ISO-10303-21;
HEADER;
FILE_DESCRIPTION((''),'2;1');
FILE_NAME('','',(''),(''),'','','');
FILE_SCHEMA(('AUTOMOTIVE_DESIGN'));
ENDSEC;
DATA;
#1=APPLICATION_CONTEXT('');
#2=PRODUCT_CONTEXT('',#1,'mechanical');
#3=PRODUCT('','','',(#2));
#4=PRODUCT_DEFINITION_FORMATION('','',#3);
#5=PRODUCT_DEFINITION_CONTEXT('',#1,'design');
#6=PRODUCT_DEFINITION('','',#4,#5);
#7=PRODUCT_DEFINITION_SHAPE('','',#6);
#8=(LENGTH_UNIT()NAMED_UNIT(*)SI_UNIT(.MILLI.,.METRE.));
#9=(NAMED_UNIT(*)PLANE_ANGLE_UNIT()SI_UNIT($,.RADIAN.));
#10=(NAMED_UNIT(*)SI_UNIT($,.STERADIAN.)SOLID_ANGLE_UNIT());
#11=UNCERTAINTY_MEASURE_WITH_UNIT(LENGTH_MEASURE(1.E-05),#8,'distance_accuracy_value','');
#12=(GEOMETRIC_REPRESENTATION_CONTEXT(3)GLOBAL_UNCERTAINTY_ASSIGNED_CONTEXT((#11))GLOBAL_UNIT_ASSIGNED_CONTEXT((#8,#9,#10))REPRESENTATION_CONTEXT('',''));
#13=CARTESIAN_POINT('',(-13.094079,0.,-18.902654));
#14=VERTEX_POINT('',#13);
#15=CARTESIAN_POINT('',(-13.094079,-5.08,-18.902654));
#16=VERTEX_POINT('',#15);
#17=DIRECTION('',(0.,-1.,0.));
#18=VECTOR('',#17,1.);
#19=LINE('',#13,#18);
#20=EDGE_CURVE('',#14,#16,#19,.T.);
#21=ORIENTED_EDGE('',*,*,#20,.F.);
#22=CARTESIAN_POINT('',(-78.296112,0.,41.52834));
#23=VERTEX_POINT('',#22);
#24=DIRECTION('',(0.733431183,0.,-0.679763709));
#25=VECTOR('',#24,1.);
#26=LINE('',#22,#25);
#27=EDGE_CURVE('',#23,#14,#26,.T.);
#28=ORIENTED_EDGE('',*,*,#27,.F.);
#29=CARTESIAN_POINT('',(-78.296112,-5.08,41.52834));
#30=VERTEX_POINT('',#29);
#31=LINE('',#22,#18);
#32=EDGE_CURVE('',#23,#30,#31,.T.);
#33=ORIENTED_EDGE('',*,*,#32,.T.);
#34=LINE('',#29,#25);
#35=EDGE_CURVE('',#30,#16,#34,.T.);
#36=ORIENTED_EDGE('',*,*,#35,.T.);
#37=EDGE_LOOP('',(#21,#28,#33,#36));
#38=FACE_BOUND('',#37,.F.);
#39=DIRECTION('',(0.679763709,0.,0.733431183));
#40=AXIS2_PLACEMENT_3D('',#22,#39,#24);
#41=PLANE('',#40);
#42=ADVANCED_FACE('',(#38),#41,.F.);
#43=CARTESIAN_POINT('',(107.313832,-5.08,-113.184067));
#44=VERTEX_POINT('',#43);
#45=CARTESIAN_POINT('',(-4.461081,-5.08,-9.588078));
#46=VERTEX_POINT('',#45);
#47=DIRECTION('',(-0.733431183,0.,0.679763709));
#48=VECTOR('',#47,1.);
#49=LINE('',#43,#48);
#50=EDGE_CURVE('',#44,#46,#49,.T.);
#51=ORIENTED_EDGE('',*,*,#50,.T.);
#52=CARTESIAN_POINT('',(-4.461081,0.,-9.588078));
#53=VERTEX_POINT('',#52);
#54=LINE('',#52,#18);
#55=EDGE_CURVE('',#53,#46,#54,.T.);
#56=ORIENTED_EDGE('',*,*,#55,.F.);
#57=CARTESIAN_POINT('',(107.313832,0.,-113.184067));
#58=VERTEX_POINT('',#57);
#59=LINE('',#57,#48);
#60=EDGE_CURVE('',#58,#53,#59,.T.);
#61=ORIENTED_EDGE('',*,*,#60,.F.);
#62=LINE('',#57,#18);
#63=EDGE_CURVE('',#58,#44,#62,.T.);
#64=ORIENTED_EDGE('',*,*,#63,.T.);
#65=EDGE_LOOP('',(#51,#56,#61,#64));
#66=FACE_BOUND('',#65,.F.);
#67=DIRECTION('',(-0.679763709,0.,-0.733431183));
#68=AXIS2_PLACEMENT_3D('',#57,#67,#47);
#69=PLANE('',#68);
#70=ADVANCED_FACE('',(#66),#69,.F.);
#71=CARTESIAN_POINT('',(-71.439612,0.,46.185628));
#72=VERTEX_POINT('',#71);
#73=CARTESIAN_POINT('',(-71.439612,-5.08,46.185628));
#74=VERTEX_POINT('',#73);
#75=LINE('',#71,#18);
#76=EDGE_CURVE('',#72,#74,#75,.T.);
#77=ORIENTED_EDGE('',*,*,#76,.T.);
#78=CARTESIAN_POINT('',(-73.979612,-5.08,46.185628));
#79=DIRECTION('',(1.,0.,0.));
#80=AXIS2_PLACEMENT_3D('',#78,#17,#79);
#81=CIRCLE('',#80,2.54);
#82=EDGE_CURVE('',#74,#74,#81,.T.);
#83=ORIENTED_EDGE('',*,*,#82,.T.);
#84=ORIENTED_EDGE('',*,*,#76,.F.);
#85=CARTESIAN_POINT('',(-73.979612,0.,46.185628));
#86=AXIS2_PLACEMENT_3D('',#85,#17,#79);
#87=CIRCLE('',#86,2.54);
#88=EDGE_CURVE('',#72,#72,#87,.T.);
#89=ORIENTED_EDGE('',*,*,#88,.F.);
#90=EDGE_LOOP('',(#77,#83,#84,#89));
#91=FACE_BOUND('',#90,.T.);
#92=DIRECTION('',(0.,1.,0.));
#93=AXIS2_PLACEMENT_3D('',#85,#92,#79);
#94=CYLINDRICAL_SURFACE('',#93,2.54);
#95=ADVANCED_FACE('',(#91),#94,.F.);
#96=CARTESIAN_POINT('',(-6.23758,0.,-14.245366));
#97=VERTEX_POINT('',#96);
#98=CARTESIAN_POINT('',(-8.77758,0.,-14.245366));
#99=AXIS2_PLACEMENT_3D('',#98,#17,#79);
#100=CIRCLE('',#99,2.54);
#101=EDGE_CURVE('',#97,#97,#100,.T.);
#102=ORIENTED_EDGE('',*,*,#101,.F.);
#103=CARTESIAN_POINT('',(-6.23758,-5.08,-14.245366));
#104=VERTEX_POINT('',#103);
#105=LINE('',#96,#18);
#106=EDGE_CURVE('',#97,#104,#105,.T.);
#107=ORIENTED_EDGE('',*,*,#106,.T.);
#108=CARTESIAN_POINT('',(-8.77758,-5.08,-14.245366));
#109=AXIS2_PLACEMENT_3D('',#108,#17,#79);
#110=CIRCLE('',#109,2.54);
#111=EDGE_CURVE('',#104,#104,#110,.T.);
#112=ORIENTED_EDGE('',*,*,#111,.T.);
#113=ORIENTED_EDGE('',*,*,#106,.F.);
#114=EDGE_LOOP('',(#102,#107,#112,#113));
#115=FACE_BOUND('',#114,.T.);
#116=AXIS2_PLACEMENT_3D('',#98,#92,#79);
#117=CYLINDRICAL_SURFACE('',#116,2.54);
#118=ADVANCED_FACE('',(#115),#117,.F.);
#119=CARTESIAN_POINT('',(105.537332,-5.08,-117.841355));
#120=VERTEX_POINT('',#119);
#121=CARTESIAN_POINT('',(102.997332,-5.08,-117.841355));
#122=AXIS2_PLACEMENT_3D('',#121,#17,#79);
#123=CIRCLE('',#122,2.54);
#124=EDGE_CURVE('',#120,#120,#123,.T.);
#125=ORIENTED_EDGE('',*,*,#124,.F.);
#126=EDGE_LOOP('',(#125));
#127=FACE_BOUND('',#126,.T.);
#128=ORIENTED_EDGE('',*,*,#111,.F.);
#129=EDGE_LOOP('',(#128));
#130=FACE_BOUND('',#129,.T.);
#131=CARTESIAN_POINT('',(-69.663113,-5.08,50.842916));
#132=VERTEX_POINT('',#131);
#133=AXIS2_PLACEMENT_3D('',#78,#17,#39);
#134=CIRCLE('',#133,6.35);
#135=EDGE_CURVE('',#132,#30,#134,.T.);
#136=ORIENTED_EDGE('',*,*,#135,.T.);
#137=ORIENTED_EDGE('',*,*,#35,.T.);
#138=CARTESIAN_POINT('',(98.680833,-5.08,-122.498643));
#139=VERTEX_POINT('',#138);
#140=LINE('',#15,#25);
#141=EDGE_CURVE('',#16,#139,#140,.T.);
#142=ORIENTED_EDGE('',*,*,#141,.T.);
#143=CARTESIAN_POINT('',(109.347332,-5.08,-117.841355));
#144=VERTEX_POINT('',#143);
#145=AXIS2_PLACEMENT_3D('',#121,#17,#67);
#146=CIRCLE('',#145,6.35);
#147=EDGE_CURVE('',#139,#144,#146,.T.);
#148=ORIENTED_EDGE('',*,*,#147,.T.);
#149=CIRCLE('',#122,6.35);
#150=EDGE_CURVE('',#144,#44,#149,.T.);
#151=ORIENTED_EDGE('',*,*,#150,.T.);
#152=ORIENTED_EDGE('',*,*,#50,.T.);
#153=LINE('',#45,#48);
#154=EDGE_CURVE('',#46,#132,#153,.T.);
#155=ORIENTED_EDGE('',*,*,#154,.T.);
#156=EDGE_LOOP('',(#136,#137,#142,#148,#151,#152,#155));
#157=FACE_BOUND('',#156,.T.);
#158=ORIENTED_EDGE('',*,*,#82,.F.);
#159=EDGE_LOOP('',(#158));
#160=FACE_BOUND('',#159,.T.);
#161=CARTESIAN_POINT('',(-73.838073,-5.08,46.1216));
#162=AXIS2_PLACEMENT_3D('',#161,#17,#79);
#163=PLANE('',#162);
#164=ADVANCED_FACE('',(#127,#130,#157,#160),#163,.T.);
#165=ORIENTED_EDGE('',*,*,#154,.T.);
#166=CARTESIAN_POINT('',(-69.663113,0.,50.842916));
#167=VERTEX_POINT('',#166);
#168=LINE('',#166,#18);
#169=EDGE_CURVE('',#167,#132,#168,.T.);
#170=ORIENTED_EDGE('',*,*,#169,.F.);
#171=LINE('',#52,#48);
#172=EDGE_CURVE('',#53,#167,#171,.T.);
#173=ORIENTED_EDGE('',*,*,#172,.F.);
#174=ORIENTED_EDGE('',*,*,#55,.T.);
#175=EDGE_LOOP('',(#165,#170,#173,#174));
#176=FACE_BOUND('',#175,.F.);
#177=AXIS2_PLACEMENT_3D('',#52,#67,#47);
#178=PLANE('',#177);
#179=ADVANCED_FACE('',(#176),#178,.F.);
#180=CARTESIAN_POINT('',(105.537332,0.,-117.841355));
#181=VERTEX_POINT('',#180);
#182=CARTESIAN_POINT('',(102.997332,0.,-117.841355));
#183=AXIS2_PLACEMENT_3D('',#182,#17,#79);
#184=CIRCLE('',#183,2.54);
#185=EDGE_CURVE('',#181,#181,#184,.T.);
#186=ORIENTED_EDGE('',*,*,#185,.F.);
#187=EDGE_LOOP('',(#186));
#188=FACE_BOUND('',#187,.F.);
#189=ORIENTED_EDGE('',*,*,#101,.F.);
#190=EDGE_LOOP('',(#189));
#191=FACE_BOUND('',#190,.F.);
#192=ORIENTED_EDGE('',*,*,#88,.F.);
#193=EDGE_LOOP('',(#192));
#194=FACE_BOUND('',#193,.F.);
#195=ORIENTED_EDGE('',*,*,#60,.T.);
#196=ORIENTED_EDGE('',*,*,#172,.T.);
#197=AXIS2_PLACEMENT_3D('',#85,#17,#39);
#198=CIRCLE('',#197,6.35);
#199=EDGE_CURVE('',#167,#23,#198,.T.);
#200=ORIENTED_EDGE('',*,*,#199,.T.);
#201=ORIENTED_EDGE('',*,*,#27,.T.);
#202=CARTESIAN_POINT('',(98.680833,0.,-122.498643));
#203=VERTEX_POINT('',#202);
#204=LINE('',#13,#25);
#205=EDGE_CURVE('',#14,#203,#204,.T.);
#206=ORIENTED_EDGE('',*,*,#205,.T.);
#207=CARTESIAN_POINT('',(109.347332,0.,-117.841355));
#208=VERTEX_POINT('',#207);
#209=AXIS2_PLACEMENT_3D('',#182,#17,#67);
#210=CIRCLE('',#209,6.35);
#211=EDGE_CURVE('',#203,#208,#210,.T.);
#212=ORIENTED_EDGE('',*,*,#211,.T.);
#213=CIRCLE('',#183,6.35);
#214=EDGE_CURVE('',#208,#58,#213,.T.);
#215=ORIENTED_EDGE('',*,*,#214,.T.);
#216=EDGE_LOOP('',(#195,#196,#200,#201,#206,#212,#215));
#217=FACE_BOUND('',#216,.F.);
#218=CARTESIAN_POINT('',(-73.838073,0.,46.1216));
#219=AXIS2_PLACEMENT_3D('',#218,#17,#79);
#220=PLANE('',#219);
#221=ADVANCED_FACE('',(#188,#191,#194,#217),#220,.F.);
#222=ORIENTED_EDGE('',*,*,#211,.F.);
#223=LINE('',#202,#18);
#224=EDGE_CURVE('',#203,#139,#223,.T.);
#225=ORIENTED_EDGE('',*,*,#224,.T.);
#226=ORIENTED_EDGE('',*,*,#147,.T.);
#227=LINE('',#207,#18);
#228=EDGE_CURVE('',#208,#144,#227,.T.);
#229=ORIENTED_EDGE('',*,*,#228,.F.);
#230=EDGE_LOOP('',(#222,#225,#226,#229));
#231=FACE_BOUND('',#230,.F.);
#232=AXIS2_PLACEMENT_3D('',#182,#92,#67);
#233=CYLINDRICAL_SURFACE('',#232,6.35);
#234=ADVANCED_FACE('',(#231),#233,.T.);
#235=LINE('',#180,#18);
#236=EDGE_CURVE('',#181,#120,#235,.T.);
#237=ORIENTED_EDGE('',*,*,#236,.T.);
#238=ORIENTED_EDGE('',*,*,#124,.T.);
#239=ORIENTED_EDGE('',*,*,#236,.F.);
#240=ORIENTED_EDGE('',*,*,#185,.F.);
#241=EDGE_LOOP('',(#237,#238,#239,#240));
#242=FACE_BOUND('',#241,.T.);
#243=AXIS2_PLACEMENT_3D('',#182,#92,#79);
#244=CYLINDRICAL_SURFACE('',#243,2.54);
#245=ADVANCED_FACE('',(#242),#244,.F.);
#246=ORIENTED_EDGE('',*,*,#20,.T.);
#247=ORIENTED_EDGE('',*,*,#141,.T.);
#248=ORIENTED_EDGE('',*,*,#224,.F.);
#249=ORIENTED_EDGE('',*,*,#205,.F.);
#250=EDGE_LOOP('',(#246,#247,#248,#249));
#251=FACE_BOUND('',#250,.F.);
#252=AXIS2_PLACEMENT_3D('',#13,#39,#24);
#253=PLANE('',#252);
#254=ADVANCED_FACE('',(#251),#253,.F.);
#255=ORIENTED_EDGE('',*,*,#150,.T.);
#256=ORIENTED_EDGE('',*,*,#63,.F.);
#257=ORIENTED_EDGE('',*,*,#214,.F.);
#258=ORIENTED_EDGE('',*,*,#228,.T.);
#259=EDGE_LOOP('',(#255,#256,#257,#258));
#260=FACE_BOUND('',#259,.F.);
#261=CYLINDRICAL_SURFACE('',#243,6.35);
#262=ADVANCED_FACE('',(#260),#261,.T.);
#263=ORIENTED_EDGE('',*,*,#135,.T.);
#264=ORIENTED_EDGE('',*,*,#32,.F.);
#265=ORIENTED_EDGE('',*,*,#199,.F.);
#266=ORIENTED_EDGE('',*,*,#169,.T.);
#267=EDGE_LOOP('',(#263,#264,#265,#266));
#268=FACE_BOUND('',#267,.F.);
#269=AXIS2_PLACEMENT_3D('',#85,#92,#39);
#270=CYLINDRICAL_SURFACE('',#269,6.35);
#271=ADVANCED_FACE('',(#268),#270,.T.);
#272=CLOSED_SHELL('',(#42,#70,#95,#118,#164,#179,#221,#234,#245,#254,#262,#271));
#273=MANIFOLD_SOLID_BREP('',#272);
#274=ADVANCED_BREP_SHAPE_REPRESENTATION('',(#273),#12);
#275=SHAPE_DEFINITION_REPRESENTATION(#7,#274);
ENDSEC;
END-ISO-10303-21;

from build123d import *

# Parameters (mm, degrees)
F0_R     = 2.54
F1_DEPTH = 5.08


with BuildPart() as f1:
    # F0 (on Front) → F1 (new body)
    with BuildSketch(Plane.XZ):
        with BuildLine():
            ThreePointArc((-78.2961119143, 41.5283401708), (-71.4386747563, 40.3661663473), (-67.6296123648, 46.1856281841))
            ThreePointArc((-67.6296123648, 46.1856281841), (-68.160150528, 48.7265657925), (-69.6631128152, 50.8429161974))
            ThreePointArc((-69.6631128152, 50.8429161974), (-78.636900378, 50.5021277337), (-78.2961119143, 41.5283401708))
        make_face()
        with Locations((-73.9796123648, 46.1856281841)):
            Circle(F0_R, mode=Mode.SUBTRACT)
        with BuildLine():
            ThreePointArc((-69.6631128152, 50.8429161974), (-68.160150528, 48.7265657925), (-67.6296123648, 46.1856281841))
            ThreePointArc((-67.6296123648, 46.1856281841), (-71.4386747563, 40.3661663473), (-78.2961119143, 41.5283401708))
            Line((-78.2961119143, 41.5283401708), (-13.094079489, -18.9026537454))
            ThreePointArc((-13.094079489, -18.9026537454), (-13.4348682543, -9.9288660273), (-4.4610805236, -9.5880775949))
            Line((-4.4610805236, -9.5880775949), (-69.6631128152, 50.8429161974))
        make_face()
        with BuildLine():
            Line((107.3138316889, -113.1840666865), (-4.4610805236, -9.5880775949))
            ThreePointArc((-4.4610805236, -9.5880775949), (-2.9581183134, -11.7044279677), (-2.427580179, -14.24536551))
            ThreePointArc((-2.427580179, -14.24536551), (-6.2366424208, -20.0648272814), (-13.094079489, -18.9026537454))
            Line((-13.094079489, -18.9026537454), (98.6808325898, -122.4986427131))
            ThreePointArc((98.6808325898, -122.4986427131), (98.3400441261, -113.5248551502), (107.3138316889, -113.1840666865))
        make_face()
        with BuildLine():
            ThreePointArc((-2.427580179, -14.24536551), (-2.9581183134, -11.7044279677), (-4.4610805236, -9.5880775949))
            ThreePointArc((-4.4610805236, -9.5880775949), (-13.4348682543, -9.9288660273), (-13.094079489, -18.9026537454))
            ThreePointArc((-13.094079489, -18.9026537454), (-6.2366424208, -20.0648272814), (-2.427580179, -14.24536551))
        make_face()
        with Locations((-8.777580179, -14.24536551)):
            Circle(F0_R, mode=Mode.SUBTRACT)
        with BuildLine():
            ThreePointArc((109.3473321393, -117.8413546998), (108.8167939761, -115.3004170913), (107.3138316889, -113.1840666865))
            ThreePointArc((107.3138316889, -113.1840666865), (98.3400441261, -113.5248551502), (98.6808325898, -122.4986427131))
            ThreePointArc((98.6808325898, -122.4986427131), (105.5382697478, -123.6608165366), (109.3473321393, -117.8413546998))
        make_face()
        with Locations((102.9973321393, -117.8413546998)):
            Circle(F0_R, mode=Mode.SUBTRACT)
    extrude(amount=F1_DEPTH)


solid = f1.part
